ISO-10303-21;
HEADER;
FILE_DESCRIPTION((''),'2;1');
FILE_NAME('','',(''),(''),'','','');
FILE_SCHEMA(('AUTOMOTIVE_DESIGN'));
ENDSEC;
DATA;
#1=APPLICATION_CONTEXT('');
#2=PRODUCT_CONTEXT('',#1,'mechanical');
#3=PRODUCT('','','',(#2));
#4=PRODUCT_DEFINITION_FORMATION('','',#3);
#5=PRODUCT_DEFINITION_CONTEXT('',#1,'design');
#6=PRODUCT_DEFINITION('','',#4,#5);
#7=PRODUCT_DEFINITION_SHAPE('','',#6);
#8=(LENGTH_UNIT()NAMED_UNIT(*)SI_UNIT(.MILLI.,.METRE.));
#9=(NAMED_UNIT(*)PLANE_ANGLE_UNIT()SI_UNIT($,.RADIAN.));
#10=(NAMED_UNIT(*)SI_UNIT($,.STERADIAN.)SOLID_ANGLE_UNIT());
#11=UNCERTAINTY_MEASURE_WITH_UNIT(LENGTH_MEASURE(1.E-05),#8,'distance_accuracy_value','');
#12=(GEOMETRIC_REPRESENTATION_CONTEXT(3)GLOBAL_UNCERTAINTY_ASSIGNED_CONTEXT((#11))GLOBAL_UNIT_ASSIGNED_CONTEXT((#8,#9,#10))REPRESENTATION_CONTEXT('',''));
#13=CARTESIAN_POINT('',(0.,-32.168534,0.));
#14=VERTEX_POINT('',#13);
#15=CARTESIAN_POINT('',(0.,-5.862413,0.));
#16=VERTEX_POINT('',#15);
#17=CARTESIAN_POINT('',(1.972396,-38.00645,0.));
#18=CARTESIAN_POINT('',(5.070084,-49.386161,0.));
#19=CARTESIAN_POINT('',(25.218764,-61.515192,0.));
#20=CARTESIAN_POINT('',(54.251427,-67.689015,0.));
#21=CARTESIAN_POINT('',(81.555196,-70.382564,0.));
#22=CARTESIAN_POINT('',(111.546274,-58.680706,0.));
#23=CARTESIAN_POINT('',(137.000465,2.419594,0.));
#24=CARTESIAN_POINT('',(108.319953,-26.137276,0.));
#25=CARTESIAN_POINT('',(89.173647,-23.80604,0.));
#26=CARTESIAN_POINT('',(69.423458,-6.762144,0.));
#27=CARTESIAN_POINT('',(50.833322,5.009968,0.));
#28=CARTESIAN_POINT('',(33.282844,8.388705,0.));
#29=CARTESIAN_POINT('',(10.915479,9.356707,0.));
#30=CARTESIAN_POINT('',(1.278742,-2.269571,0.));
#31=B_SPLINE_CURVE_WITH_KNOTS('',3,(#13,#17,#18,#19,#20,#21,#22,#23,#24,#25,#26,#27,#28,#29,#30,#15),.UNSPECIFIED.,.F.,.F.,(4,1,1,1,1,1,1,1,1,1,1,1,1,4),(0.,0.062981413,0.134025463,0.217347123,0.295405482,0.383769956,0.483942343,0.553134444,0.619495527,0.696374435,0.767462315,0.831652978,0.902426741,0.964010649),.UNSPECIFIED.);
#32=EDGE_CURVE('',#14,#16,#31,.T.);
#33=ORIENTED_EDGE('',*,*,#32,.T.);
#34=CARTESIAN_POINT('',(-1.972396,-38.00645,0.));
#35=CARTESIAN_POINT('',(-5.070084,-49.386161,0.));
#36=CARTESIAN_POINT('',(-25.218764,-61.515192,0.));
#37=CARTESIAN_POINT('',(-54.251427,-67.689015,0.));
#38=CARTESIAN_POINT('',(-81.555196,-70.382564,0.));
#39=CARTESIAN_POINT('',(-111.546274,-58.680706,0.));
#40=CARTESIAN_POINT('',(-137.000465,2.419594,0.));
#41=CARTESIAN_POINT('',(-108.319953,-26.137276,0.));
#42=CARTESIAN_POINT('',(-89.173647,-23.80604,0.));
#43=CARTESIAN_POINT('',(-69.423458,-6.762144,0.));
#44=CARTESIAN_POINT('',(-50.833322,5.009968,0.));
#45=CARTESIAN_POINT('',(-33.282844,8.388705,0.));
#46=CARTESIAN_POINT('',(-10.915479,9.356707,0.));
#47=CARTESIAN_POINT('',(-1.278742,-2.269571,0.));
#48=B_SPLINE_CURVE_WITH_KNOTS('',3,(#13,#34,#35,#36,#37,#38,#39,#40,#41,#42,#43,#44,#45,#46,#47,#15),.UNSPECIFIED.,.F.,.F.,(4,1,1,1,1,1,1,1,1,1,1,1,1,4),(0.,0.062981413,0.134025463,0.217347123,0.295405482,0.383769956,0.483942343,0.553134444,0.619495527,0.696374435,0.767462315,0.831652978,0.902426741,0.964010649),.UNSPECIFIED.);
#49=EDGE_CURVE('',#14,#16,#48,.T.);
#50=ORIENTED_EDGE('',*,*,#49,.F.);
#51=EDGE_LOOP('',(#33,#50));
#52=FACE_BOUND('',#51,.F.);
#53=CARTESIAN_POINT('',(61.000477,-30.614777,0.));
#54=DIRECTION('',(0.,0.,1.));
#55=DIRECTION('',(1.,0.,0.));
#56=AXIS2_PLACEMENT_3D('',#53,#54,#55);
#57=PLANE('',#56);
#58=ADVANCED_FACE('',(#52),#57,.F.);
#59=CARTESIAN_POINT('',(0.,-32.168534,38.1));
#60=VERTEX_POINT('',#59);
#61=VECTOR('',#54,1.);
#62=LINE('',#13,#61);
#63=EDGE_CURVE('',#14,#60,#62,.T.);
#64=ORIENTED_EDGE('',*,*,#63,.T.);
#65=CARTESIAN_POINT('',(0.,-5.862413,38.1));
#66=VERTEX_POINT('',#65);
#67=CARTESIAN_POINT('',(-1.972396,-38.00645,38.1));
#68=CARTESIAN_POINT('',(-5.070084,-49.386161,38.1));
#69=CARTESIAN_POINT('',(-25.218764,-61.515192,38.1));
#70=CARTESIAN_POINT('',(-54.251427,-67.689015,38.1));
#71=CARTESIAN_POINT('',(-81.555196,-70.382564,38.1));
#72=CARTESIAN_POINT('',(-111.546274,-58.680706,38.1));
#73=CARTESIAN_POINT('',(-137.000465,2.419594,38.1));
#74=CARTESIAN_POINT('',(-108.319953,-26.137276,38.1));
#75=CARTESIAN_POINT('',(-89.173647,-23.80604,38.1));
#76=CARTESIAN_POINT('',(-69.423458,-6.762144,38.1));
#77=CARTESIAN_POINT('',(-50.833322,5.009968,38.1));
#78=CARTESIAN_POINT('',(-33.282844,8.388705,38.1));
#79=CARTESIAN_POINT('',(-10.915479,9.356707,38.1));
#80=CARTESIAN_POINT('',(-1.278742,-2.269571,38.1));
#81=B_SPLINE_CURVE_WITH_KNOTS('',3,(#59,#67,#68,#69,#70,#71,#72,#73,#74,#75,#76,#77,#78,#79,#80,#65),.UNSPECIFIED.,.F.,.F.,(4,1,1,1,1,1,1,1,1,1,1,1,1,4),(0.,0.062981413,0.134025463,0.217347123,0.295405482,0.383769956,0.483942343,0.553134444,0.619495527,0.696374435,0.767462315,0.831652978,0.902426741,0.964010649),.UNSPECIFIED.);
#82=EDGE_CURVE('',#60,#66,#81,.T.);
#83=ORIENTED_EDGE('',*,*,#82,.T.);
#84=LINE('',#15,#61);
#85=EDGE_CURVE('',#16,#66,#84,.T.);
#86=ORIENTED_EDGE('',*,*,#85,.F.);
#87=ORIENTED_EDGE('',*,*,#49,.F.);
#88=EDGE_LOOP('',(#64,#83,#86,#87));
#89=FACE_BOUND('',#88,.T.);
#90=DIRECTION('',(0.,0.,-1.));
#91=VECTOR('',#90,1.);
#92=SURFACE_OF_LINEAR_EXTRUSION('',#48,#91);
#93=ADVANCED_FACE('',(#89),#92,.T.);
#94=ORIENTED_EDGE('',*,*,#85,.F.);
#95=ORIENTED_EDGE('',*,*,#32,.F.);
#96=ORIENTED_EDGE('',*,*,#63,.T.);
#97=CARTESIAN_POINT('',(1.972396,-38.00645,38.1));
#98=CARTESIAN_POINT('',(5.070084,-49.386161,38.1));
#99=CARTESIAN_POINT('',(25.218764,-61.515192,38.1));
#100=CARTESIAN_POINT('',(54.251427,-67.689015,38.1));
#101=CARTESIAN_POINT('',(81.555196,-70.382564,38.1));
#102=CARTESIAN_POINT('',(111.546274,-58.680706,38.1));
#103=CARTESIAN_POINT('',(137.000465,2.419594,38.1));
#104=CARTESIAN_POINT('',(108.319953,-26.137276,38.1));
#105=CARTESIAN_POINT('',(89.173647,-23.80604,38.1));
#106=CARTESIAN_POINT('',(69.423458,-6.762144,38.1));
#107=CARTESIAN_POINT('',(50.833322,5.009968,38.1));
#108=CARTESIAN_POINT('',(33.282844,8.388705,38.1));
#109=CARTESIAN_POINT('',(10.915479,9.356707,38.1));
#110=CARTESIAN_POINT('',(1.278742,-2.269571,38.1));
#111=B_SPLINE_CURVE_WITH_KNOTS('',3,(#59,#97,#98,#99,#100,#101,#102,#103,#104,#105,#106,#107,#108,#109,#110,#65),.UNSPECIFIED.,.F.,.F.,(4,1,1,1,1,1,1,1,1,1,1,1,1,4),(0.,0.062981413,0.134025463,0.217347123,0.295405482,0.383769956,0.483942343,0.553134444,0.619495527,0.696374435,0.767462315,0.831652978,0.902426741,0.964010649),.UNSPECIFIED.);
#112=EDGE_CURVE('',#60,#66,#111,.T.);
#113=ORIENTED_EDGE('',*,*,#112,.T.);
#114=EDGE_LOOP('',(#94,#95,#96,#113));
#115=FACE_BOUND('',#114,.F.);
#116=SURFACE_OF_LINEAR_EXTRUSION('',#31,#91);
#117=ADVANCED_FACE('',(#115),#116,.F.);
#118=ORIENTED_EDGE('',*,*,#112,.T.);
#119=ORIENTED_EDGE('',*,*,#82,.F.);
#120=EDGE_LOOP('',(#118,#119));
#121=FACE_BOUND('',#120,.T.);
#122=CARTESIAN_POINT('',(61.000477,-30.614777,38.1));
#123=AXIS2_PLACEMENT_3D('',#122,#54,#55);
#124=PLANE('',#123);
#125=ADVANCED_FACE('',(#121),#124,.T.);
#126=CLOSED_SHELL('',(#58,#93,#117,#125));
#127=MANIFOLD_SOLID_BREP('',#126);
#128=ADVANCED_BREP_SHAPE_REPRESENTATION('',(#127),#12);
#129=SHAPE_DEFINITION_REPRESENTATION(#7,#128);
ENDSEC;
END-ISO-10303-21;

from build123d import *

# Parameters (mm, degrees)
F1_DEPTH = 38.1


with BuildPart() as f1:
    # F0 (on Top) → F1 (new body)
    with BuildSketch(Plane.XY):
        with BuildLine():
            add(Edge.make_bspline(
                [(0, -5.8624127563), (0.7472910701, -7.9620528049), (0.3999907445, -9.4412642035), (0, -11.4594598407)],
                knots=[0.9640106489, 0.9640106489, 0.9640106489, 0.9640106489, 1, 1, 1, 1], degree=3))
            Line((0, -11.4594598407), (0, -32.168533768))
            add(Edge.make_bspline(
                [(0, -32.168533768), (1.9723960152, -38.0064503979), (5.0700836383, -49.3861613239), (25.2187635234, -61.5151917389), (54.2514269573, -67.6890151725), (81.5551962957, -70.3825643715), (111.5462741452, -58.6807058516), (137.0004651754, 2.4195939949), (108.3199525391, -26.1372761303), (89.1736466738, -23.8060403006), (69.4234582826, -6.7621441105), (50.833322303, 5.0099678495), (33.2828444136, 8.3887052011), (10.9154788022, 9.3567065548), (1.2787422733, -2.2695710961), (0, -5.8624127563)],
                knots=[0, 0, 0, 0, 0.0629814129, 0.1340254633, 0.2173471228, 0.2954054815, 0.3837699559, 0.4839423428, 0.5531344437, 0.6194955271, 0.6963744355, 0.7674623155, 0.8316529781, 0.9024267408, 0.9640106489, 0.9640106489, 0.9640106489, 0.9640106489], degree=3))
        make_face()
        with BuildLine():
            add(Edge.make_bspline(
                [(0, -5.8624127563), (-0.7472910701, -7.9620528049), (-0.3999907445, -9.4412642035), (0, -11.4594598407)],
                knots=[0.9640106489, 0.9640106489, 0.9640106489, 0.9640106489, 1, 1, 1, 1], degree=3))
            add(Edge.make_bspline(
                [(0, -5.8624127563), (0.7472910701, -7.9620528049), (0.3999907445, -9.4412642035), (0, -11.4594598407)],
                knots=[0.9640106489, 0.9640106489, 0.9640106489, 0.9640106489, 1, 1, 1, 1], degree=3))
        make_face()
        with BuildLine():
            Line((0, -32.168533768), (0, -11.4594598407))
            add(Edge.make_bspline(
                [(0, -5.8624127563), (-0.7472910701, -7.9620528049), (-0.3999907445, -9.4412642035), (0, -11.4594598407)],
                knots=[0.9640106489, 0.9640106489, 0.9640106489, 0.9640106489, 1, 1, 1, 1], degree=3))
            add(Edge.make_bspline(
                [(0, -32.168533768), (-1.9723960152, -38.0064503979), (-5.0700836383, -49.3861613239), (-25.2187635234, -61.5151917389), (-54.2514269573, -67.6890151725), (-81.5551962957, -70.3825643715), (-111.5462741452, -58.6807058516), (-137.0004651754, 2.4195939949), (-108.3199525391, -26.1372761303), (-89.1736466738, -23.8060403006), (-69.4234582826, -6.7621441105), (-50.833322303, 5.0099678495), (-33.2828444136, 8.3887052011), (-10.9154788022, 9.3567065548), (-1.2787422733, -2.2695710961), (0, -5.8624127563)],
                knots=[0, 0, 0, 0, 0.0629814129, 0.1340254633, 0.2173471228, 0.2954054815, 0.3837699559, 0.4839423428, 0.5531344437, 0.6194955271, 0.6963744355, 0.7674623155, 0.8316529781, 0.9024267408, 0.9640106489, 0.9640106489, 0.9640106489, 0.9640106489], degree=3))
        make_face()
    extrude(amount=F1_DEPTH)


solid = f1.part
